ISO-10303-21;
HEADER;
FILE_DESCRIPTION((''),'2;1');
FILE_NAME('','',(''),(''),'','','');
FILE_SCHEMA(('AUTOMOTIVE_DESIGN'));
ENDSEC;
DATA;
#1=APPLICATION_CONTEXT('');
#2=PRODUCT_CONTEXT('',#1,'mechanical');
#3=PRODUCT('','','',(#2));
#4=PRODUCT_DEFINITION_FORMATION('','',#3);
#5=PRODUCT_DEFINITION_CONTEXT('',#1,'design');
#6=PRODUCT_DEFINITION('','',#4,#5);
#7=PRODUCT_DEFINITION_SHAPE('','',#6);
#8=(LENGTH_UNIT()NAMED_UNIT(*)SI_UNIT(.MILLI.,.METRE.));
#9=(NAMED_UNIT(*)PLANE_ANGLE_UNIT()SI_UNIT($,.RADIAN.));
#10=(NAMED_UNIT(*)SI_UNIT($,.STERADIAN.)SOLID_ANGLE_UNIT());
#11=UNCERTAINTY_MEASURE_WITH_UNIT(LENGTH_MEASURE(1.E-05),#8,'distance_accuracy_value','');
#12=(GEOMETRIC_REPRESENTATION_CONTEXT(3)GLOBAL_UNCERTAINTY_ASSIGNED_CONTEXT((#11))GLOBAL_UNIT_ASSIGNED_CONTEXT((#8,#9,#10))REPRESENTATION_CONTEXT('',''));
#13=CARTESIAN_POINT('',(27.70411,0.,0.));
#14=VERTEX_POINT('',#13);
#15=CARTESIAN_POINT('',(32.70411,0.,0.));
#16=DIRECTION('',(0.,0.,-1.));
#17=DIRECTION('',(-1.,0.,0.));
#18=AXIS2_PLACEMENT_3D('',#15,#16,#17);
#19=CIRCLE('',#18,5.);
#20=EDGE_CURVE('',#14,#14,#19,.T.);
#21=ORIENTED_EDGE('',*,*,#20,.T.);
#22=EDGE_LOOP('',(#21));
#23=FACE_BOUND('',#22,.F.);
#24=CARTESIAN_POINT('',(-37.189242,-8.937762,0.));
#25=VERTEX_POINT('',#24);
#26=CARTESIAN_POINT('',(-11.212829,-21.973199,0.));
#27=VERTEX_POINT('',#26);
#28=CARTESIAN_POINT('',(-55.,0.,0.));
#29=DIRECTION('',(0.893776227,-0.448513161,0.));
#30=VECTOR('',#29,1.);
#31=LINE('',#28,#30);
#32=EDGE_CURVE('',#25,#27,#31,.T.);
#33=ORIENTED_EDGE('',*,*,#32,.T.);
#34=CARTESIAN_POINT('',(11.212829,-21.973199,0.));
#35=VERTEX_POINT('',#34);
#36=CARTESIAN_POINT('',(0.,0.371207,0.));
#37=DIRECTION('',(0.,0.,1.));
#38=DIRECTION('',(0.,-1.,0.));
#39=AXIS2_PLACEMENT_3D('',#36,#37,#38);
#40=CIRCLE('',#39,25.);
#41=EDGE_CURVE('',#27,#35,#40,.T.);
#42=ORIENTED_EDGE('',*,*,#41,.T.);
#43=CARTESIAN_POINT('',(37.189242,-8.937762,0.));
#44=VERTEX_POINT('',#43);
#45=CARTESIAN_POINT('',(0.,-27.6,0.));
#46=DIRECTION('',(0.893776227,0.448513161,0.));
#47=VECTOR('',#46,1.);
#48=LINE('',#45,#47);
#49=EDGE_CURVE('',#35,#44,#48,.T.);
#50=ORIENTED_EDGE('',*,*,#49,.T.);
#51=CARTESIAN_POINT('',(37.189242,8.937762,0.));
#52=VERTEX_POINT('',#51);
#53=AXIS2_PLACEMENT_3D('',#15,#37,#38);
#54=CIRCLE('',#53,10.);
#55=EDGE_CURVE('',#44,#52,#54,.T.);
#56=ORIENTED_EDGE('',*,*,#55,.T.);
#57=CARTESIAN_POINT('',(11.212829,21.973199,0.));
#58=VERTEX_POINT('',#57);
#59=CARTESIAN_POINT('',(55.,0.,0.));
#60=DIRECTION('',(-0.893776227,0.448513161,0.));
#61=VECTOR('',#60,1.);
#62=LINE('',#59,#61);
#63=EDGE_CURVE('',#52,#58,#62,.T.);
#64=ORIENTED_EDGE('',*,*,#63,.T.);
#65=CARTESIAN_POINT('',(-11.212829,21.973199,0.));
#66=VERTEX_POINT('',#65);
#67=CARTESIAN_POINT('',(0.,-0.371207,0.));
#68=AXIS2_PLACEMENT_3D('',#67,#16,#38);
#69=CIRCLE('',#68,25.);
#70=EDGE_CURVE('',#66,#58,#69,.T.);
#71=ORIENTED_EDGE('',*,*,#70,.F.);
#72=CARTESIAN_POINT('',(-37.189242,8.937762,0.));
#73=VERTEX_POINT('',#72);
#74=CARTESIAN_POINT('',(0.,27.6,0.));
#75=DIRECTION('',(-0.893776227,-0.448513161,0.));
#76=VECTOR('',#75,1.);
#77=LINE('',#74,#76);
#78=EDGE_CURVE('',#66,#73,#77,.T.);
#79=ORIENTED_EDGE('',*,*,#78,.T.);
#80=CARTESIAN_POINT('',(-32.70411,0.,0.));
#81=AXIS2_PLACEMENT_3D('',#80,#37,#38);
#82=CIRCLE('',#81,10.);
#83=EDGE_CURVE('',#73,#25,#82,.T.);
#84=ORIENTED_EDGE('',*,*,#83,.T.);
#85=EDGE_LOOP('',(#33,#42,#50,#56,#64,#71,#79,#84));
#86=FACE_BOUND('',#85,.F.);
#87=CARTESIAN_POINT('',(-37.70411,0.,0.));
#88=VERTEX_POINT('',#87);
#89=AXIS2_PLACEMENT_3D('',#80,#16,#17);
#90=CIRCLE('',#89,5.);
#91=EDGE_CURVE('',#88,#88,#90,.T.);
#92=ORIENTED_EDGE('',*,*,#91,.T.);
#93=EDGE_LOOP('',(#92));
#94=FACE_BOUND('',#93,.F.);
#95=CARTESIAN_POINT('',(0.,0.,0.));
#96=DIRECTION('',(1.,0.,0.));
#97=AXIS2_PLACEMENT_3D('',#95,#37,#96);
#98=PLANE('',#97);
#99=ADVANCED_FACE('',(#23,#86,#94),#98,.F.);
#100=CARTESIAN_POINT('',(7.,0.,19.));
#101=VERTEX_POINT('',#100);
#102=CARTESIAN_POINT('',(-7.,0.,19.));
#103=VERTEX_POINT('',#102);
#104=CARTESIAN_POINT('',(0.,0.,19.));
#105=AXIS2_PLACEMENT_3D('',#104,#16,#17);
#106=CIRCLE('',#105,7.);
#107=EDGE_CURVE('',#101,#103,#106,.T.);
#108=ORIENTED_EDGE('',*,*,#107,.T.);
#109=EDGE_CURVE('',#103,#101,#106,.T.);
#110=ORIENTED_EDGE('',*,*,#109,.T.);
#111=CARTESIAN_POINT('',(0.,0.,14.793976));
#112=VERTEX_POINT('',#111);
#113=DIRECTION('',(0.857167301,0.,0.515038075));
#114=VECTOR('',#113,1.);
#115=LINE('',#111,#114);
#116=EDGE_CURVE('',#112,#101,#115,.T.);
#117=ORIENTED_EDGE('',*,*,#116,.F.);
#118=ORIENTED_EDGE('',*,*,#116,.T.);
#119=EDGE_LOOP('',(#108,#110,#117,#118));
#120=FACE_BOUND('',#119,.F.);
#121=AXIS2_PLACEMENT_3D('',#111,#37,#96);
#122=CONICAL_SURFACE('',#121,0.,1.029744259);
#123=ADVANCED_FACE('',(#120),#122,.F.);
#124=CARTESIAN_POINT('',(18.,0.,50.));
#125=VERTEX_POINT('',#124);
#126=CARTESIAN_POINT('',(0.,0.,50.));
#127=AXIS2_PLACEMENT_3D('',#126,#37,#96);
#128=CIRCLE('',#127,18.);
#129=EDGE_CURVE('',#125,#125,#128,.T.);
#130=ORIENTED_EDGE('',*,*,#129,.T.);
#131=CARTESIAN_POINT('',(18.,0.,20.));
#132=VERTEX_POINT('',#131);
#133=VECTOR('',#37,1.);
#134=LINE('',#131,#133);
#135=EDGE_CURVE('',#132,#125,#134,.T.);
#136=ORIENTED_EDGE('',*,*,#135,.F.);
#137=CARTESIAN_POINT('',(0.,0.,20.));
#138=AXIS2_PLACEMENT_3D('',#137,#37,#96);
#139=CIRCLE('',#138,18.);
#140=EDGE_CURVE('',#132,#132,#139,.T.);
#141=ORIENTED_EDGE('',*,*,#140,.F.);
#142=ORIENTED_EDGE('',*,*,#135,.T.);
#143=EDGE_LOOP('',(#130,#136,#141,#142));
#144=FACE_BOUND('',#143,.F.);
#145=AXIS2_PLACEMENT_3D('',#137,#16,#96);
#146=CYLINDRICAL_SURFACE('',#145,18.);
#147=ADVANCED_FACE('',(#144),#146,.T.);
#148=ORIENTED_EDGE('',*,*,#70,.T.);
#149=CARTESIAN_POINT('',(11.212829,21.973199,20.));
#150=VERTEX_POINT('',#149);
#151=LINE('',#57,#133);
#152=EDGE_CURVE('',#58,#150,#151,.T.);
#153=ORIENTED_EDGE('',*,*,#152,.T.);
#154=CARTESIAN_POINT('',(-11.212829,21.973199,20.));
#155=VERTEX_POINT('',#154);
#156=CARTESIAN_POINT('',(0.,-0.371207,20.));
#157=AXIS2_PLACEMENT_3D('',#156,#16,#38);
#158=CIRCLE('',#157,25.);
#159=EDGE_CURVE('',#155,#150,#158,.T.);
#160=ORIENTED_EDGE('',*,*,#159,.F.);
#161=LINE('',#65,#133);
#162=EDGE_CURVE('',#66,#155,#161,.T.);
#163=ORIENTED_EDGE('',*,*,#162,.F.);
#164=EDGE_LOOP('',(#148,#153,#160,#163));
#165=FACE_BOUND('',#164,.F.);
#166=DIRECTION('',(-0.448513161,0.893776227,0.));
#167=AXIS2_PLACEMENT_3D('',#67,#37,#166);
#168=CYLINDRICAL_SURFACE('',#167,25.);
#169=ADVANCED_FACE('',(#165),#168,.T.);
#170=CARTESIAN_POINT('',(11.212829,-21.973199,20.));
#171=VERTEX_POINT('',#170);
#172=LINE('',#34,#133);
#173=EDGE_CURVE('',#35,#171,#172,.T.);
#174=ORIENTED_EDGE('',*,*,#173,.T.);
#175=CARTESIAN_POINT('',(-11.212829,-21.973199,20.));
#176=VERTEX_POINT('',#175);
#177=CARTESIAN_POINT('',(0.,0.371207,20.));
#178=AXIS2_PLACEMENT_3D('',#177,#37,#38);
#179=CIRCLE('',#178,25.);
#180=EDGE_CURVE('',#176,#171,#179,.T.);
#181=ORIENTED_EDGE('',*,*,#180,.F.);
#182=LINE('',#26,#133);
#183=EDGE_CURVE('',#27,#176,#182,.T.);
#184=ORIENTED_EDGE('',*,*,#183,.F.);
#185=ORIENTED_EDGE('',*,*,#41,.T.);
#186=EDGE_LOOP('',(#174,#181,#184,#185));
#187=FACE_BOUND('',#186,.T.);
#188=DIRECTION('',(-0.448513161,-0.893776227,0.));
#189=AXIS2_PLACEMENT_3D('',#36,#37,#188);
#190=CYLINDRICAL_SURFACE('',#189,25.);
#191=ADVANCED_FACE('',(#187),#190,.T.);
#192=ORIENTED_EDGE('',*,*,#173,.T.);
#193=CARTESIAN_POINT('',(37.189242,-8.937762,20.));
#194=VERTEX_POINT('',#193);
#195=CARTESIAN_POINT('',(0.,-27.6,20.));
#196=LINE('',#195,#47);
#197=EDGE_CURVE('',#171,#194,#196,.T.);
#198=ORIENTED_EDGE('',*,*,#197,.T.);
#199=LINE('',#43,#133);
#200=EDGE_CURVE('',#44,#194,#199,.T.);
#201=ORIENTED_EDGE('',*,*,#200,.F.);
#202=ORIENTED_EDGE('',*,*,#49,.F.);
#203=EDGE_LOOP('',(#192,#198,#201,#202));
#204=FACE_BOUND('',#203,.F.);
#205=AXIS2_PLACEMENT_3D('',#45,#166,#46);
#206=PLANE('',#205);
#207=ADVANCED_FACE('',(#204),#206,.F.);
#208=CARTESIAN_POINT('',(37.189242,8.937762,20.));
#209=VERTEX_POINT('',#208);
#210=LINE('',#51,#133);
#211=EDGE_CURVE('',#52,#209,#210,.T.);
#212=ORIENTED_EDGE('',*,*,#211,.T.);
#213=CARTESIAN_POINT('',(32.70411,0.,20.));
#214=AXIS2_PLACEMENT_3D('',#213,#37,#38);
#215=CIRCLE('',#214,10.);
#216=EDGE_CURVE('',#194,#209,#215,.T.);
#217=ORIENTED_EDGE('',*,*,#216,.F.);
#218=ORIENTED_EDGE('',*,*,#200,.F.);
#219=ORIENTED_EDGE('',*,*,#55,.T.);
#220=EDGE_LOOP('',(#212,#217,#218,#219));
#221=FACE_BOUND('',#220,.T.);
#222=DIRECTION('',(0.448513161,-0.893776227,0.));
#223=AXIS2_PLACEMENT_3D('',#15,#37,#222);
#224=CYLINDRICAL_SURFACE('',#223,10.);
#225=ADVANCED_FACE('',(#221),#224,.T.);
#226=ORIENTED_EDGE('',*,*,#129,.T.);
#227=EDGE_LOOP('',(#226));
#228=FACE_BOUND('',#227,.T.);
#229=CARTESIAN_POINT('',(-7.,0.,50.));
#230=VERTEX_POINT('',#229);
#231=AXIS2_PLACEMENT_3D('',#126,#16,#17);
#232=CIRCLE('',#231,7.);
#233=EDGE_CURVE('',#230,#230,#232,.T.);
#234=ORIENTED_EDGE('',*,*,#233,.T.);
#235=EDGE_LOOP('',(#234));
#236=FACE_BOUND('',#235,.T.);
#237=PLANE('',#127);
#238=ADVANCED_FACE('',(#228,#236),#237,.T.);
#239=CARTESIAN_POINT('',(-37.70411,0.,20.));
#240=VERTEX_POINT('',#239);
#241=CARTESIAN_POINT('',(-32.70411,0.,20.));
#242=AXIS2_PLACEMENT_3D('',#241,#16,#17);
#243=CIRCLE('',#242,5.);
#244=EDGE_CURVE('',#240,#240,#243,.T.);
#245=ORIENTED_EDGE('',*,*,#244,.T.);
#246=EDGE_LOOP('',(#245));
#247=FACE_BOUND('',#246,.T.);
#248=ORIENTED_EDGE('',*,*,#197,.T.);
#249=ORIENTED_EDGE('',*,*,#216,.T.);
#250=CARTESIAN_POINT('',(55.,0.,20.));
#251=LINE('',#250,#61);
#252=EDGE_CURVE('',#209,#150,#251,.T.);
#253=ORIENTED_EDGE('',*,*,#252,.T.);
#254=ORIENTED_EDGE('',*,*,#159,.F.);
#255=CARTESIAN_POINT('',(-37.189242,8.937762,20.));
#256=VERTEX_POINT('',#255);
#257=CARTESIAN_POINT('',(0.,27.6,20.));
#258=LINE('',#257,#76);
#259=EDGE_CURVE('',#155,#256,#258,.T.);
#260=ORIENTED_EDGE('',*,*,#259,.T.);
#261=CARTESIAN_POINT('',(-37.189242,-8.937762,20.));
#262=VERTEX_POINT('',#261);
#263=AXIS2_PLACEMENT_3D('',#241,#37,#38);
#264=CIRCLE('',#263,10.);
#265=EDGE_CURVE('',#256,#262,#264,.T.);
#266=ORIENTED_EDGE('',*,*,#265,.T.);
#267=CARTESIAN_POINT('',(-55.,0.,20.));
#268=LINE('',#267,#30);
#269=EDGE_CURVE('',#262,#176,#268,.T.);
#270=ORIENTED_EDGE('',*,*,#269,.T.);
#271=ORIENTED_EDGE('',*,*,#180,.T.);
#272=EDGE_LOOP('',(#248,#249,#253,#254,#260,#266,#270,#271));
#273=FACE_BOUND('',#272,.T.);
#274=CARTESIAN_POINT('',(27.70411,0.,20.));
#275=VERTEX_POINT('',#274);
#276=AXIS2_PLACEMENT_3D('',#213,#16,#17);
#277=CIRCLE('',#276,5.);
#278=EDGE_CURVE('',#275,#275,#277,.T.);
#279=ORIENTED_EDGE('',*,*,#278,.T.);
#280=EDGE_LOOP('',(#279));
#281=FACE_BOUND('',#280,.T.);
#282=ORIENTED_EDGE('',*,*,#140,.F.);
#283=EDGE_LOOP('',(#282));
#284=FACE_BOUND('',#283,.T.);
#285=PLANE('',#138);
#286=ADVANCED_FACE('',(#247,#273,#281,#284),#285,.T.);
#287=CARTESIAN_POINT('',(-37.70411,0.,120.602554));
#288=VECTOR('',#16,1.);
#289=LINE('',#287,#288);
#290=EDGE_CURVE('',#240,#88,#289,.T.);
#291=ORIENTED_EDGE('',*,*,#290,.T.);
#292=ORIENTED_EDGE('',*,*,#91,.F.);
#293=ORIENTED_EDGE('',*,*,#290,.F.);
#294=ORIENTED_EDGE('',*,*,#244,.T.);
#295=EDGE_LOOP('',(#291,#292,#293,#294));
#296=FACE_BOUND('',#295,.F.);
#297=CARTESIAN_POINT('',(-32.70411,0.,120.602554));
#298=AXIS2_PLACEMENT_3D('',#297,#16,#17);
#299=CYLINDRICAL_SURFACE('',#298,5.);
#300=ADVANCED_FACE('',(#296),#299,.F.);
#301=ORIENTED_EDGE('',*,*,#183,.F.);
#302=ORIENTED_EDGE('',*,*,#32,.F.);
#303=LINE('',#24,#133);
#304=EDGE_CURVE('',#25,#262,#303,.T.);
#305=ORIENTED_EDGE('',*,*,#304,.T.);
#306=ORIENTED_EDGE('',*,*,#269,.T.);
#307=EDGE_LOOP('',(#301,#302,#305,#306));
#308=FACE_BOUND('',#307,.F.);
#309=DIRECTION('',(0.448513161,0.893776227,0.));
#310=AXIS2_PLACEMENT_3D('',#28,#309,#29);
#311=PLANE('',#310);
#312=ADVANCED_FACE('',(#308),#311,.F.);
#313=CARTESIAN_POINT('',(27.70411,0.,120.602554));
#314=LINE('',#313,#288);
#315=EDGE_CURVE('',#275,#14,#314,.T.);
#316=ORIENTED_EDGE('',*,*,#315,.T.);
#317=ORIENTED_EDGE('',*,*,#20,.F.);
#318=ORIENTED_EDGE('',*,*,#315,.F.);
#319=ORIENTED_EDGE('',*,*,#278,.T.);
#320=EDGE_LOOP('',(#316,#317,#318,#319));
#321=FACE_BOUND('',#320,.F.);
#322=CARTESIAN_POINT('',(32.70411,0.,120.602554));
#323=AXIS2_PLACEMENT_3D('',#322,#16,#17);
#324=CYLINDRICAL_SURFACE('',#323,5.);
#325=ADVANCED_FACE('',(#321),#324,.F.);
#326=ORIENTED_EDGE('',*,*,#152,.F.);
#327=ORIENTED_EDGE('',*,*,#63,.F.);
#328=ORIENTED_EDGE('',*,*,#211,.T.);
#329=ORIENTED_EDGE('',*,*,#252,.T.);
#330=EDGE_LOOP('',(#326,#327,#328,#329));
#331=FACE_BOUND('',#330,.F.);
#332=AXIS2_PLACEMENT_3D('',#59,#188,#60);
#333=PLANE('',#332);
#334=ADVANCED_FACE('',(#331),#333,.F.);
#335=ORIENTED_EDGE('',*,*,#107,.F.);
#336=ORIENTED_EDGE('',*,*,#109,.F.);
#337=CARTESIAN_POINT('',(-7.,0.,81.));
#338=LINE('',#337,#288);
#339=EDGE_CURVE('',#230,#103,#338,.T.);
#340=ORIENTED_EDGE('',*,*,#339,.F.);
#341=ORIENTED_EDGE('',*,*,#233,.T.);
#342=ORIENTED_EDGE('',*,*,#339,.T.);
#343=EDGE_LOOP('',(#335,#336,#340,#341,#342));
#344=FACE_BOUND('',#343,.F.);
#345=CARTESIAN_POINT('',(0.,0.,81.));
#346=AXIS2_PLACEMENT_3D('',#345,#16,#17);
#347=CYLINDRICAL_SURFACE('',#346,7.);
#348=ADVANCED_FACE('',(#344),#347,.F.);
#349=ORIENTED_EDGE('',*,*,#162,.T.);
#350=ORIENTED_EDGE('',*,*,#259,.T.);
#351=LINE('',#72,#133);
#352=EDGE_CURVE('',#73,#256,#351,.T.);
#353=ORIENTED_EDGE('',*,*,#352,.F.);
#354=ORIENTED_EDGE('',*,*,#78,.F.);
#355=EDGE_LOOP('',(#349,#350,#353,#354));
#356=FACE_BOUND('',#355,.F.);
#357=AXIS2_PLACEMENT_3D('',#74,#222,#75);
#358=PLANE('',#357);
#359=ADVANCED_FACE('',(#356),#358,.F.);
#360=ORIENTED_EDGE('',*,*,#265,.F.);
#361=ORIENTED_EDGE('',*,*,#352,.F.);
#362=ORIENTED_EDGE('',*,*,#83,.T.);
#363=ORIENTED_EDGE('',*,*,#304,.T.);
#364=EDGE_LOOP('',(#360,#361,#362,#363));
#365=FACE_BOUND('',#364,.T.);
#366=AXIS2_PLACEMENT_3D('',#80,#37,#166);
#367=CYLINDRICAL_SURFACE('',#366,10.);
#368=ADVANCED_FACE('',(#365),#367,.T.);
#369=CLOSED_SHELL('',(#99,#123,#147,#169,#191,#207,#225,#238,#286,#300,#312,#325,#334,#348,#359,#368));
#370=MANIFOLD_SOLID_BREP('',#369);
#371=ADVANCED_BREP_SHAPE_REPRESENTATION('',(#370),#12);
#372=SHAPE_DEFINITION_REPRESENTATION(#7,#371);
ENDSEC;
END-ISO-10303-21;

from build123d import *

# Parameters (mm, degrees)
F1_DEPTH = 20
F2_R     = 10
F3_R     = 25
F5_D     = 10
F6_R     = 18
F7_DEPTH = 30
F9_D     = 14
F9_DEPTH = 31
F9_TIP   = 4.2060243332


with BuildPart() as f1:
    # F0 (on Top) → F1 (new body)
    with BuildSketch(Plane.XY):
        Polygon((0, 27.6), (-55, 0), (0, -27.6), (55, 0), align=None)
    extrude(amount=F1_DEPTH)

    # F2
    f2_edges = [f1.edges().sort_by_distance(p)[0] for p in [
        (55, 0, 10),
        (-55, 0, 10),
    ]]
    fillet(f2_edges, radius=F2_R)

    # F3
    f3_edges = [f1.edges().sort_by_distance(p)[0] for p in [
        (0, 27.6, 10),
        (0, -27.6, 10),
    ]]
    fillet(f3_edges, radius=F3_R)

    # F5 (through all)
    with Locations(Plane.XY.offset(20)):
        with Locations((-32.7041102381, 0), (32.7041102381, 0)):
            Hole(F5_D / 2)

    # F6 (on face) → F7 (join)
    with BuildSketch(Plane.XY.offset(20)):
        Circle(F6_R)
    extrude(amount=F7_DEPTH)

    # F9
    with Locations(Plane.XY.offset(50)):
        with Locations((0, 0)):
            Hole(F9_D / 2, depth=F9_DEPTH)
            with Locations((0, 0, -(F9_DEPTH + F9_TIP / 2))):  # 118° drill point
                Cone(0, F9_D / 2, F9_TIP, mode=Mode.SUBTRACT)


solid = f1.part
